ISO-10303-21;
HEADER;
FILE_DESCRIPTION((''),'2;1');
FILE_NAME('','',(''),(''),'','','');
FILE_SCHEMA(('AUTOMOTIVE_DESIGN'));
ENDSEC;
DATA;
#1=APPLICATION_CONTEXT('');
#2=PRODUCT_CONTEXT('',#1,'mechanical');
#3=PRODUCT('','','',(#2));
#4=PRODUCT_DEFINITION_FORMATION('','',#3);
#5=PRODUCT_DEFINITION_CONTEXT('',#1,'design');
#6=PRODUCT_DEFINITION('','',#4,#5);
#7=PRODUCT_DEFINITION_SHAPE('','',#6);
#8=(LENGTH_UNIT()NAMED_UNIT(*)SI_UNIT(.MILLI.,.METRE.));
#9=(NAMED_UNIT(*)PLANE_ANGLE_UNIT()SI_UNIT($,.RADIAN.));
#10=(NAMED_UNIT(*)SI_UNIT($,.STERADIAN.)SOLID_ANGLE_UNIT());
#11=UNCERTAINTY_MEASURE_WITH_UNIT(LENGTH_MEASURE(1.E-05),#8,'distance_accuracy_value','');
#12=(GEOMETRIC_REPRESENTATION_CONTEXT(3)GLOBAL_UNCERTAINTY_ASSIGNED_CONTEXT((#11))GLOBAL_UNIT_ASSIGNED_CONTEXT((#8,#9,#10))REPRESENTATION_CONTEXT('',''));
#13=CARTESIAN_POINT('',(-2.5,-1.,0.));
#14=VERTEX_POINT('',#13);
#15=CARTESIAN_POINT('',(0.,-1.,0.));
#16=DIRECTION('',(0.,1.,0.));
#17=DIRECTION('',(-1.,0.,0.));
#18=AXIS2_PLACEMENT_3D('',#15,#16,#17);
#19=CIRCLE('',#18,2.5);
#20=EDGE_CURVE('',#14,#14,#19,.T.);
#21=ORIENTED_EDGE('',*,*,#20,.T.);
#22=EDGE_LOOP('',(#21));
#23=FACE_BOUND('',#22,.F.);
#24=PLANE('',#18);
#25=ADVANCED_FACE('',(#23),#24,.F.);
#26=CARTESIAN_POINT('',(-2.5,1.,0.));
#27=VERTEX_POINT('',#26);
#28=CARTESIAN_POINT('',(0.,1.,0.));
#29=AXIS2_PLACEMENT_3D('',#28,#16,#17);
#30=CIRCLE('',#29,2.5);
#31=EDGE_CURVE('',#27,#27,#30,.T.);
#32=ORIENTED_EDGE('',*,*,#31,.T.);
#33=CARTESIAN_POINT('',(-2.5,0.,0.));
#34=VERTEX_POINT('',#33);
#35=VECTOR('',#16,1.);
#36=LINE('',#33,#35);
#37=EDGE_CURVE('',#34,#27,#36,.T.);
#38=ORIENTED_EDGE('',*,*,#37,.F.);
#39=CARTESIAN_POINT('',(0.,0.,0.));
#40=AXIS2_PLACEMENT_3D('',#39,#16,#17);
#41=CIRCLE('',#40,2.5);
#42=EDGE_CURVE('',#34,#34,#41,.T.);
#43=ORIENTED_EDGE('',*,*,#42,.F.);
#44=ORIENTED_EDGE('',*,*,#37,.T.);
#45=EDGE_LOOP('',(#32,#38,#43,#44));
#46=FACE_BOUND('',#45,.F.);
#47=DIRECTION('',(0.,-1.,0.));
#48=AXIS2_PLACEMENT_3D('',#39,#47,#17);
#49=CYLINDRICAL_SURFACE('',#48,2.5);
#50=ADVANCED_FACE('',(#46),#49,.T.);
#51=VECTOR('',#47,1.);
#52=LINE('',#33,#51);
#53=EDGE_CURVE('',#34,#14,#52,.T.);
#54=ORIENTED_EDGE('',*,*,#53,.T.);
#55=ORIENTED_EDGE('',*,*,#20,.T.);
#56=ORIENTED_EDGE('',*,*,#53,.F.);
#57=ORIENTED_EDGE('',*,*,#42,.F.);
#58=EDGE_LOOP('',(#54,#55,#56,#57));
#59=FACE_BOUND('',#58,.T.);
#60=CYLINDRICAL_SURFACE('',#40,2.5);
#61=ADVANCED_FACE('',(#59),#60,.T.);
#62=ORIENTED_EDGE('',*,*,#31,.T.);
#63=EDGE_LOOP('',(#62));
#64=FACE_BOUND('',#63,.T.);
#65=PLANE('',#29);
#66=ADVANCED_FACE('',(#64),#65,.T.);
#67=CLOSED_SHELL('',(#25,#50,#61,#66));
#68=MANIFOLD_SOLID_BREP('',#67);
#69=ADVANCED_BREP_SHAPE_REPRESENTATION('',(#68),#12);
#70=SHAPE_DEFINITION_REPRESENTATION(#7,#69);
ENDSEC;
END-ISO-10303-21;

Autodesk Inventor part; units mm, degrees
sketch "Esboço1" plane through (0, 0, 0) normal (0, 1, 0) x (-1, 0, 0)
  circle A0 centre (0, 0) radius 2.5
  dimension "d0" = 5
extrude "Extrusão1" add sketch "Esboço1" along normal mid plane 2
equation "\"Raio_vergadura\" = Espessura"
equation "\"Largura_alívio_de_vergadura\" = Espessura"
equation "\"Profundidade_alívio_de_vergadura\" = 0.5 * Espessura"
equation "\"Tamanho_alívio_de_dobra\" = 4 * Espessura"
equation "\"Remanescente_mínimo\" = 2 * Espessura"
equation "\"Raiodetransição\" = Raio_vergadura"
equation "\"Tamanho_de_raio_de_Jacobi\" = Raio_vergadura"
equation "\"TamanhoFolga\" = Espessura"
equation "\"Espessura\" = 0.5"
